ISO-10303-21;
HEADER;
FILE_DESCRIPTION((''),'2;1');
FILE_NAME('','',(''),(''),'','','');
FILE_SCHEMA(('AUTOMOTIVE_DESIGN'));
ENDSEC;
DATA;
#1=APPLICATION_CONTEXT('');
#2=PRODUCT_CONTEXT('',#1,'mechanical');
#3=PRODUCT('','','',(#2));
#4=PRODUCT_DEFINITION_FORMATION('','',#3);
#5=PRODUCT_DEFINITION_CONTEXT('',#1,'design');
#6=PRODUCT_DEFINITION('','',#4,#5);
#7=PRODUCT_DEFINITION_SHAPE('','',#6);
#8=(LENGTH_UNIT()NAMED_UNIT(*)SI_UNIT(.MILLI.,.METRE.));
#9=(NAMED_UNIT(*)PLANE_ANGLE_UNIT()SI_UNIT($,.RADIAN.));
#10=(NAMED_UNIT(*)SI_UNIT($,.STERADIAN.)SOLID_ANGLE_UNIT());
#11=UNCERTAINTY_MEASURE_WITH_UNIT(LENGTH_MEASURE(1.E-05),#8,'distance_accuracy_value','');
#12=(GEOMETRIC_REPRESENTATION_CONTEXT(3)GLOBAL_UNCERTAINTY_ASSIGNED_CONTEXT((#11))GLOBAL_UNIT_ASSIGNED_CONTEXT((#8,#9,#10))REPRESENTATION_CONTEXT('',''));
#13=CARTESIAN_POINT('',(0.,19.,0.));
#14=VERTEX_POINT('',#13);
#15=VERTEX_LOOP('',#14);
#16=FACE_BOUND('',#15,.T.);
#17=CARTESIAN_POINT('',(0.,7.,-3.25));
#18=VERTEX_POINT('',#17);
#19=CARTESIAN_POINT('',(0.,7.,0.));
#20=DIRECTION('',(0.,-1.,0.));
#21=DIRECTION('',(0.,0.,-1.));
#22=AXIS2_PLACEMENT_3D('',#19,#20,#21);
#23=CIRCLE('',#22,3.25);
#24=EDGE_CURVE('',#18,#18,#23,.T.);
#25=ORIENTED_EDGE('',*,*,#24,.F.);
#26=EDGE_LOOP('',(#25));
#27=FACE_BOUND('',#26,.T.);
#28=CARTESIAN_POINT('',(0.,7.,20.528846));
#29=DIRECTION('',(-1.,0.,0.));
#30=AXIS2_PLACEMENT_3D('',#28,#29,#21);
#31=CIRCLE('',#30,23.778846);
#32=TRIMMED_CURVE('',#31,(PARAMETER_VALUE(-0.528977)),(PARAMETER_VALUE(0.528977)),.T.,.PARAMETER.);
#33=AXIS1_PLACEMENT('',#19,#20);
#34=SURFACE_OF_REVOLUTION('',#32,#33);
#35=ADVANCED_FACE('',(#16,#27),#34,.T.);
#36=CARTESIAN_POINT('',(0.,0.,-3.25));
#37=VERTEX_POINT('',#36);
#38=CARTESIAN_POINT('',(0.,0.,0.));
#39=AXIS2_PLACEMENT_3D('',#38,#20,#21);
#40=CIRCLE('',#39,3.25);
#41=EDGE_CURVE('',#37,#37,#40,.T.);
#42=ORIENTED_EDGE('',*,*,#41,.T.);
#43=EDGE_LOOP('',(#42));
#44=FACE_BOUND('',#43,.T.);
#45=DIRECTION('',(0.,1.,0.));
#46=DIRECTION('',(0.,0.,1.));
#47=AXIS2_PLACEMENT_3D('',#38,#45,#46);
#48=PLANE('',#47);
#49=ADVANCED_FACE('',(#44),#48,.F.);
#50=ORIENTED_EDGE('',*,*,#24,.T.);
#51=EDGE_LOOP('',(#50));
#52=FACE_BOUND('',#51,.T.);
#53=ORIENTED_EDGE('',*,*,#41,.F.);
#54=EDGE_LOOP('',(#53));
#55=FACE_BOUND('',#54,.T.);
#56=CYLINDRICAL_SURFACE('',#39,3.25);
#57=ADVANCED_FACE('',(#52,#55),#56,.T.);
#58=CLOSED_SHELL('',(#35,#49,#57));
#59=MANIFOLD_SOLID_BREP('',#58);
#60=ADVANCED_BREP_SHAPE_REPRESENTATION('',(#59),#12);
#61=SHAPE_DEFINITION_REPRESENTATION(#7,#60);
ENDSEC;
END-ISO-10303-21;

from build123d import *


with BuildPart() as part:
    # Esquisse1 → Révolution1 (revolve)
    with BuildSketch(Plane.XY, mode=Mode.PRIVATE) as r_volution1_sk:
        with BuildLine():
            Line((0, 0), (-3.25, 0))
            Line((-3.25, 0), (-3.25, 7))
            ThreePointArc((-3.25, 7), (-2.423123248, 13.21615838), (0, 19))
            Line((0, 19), (0, 0))
        make_face()
    revolve(r_volution1_sk.sketch.rotate(Axis((0, 0, 0), (0, 1, 0)), 270), axis=Axis((0, 0, 0), (0, 1, 0)))


solid = part.part
